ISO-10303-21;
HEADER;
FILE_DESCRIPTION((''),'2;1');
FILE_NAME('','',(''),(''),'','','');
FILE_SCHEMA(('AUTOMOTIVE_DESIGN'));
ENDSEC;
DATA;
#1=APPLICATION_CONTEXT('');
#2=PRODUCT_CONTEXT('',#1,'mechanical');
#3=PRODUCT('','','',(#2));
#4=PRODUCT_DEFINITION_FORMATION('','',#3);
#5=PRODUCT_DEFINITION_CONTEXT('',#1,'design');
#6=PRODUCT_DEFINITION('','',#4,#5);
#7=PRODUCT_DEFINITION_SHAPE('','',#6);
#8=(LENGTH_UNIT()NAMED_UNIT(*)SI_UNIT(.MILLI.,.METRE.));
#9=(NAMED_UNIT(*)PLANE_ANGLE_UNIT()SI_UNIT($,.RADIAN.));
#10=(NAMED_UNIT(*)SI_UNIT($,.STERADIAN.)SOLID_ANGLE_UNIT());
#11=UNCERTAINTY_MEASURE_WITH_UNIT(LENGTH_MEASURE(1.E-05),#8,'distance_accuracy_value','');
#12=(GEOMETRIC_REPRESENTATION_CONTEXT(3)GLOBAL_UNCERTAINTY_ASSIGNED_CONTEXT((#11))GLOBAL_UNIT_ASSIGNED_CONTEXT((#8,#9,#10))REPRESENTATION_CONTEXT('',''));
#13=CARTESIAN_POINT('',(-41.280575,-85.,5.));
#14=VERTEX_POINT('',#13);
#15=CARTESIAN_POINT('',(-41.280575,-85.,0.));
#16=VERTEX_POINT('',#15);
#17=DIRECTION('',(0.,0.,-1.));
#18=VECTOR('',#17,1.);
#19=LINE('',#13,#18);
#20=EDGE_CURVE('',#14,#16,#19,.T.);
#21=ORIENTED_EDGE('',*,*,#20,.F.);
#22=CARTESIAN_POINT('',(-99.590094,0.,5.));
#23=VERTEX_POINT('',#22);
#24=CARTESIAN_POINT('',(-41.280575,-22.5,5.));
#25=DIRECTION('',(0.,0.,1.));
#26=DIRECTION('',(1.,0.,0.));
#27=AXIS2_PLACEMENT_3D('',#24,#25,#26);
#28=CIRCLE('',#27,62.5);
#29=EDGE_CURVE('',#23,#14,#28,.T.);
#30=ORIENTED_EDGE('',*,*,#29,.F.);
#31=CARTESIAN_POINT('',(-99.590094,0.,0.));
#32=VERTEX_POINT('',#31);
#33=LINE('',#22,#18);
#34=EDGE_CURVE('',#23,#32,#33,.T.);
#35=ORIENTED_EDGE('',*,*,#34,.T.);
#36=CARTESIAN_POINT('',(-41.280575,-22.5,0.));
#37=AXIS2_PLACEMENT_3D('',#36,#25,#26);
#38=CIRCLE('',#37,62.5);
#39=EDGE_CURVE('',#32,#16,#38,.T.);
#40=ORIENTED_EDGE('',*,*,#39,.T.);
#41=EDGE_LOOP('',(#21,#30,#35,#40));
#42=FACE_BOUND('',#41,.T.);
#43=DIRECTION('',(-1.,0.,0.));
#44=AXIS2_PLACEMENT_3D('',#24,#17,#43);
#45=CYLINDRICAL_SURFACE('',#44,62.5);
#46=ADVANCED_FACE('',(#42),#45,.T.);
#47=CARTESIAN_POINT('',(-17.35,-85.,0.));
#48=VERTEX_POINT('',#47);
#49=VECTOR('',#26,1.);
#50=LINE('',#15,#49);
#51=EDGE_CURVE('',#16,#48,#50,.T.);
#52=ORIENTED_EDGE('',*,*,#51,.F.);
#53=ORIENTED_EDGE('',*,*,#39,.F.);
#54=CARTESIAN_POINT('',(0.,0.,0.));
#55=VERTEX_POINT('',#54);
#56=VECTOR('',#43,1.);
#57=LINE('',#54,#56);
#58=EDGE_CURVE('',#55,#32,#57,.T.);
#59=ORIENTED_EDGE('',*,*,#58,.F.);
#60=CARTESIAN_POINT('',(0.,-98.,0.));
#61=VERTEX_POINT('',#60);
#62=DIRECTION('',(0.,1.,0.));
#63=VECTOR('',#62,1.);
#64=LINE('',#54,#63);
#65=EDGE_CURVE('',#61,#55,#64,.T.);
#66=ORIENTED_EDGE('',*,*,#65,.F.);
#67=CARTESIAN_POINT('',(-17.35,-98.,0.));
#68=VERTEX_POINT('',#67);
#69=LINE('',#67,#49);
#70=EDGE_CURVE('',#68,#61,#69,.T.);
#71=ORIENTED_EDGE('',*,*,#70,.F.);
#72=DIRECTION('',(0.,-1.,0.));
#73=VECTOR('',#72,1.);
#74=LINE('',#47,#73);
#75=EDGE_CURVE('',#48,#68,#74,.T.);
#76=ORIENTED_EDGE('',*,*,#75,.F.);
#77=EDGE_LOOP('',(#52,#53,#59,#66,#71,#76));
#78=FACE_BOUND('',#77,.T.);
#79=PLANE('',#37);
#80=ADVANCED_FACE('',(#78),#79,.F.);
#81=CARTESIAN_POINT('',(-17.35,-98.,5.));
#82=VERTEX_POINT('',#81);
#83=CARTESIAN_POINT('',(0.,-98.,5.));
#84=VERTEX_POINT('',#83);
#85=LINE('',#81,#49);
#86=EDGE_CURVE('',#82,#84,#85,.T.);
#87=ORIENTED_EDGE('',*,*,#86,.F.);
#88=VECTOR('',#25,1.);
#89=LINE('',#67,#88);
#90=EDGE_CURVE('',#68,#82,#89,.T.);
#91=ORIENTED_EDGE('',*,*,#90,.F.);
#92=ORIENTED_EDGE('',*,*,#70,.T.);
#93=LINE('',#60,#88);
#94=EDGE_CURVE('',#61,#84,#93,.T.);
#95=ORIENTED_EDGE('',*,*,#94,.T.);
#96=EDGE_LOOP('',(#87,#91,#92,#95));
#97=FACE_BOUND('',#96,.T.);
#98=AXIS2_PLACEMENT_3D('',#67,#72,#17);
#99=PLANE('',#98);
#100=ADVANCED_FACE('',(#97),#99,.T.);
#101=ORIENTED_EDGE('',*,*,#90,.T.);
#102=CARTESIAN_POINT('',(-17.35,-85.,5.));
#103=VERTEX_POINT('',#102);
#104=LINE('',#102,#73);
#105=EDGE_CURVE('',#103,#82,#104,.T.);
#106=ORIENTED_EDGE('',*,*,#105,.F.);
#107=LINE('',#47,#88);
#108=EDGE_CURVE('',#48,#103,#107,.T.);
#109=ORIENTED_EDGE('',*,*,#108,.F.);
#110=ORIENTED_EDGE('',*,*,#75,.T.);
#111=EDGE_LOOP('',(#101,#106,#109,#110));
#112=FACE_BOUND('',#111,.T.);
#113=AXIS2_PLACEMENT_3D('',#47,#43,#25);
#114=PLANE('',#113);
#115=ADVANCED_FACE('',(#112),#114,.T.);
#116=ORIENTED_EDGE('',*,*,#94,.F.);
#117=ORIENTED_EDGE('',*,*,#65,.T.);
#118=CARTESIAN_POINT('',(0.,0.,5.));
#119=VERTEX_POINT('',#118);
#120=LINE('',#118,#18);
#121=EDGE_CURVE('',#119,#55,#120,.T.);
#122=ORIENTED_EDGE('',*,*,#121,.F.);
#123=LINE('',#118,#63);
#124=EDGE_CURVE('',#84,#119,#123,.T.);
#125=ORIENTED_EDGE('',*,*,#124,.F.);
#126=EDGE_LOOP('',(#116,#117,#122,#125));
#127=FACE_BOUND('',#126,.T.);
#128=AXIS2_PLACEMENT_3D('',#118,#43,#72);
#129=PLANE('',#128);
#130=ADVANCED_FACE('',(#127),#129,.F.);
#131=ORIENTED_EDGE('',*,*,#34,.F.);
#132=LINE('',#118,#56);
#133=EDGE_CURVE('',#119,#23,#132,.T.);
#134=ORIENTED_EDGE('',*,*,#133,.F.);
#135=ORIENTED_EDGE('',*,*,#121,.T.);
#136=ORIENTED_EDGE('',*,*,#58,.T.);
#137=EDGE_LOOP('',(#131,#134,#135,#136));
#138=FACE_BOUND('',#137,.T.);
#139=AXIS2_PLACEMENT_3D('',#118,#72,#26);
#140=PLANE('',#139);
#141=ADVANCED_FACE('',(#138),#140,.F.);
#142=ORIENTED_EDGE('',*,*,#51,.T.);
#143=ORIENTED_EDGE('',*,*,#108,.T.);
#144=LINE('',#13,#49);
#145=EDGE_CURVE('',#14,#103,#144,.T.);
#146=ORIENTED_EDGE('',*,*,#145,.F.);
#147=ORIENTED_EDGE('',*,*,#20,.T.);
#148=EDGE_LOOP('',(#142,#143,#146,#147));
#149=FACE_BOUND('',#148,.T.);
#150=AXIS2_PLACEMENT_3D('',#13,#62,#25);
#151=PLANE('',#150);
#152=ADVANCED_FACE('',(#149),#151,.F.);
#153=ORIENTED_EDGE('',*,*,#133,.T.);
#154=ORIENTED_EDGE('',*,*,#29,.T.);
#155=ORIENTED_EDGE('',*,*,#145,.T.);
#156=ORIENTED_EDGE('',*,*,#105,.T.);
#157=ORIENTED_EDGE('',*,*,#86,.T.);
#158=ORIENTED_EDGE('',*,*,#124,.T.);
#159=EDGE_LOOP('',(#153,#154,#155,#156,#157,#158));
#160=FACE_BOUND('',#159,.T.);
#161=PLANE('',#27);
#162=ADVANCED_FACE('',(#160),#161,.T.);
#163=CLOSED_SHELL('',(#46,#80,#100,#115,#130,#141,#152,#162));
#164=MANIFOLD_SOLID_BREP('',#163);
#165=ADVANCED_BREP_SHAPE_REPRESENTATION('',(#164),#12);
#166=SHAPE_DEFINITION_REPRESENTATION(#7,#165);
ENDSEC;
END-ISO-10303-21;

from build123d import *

# Parameters (mm, degrees)
BOSS_EXTRUDE1_DEPTH = 5
SKETCH2_W           = 17.35
SKETCH2_H           = 13
BOSS_EXTRUDE2_DEPTH = 5


with BuildPart() as part:
    # Sketch1 → Boss-Extrude1 (new body)
    with BuildSketch(Plane.XY):
        with BuildLine():
            Line((0, 0), (0, -85))
            Line((0, -85), (-41.280574715, -85))
            ThreePointArc((-41.280574715, -85), (-92.819395035, -57.855339059), (-99.590093663, 0))
            Line((-99.590093663, 0), (0, 0))
        make_face()
    extrude(amount=BOSS_EXTRUDE1_DEPTH)

    # Sketch2 → Boss-Extrude2 (add)
    with BuildSketch(Plane.XY.offset(5)):
        with Locations((-8.675, -91.5)):
            Rectangle(SKETCH2_W, SKETCH2_H)
    extrude(amount=-BOSS_EXTRUDE2_DEPTH)


solid = part.part
